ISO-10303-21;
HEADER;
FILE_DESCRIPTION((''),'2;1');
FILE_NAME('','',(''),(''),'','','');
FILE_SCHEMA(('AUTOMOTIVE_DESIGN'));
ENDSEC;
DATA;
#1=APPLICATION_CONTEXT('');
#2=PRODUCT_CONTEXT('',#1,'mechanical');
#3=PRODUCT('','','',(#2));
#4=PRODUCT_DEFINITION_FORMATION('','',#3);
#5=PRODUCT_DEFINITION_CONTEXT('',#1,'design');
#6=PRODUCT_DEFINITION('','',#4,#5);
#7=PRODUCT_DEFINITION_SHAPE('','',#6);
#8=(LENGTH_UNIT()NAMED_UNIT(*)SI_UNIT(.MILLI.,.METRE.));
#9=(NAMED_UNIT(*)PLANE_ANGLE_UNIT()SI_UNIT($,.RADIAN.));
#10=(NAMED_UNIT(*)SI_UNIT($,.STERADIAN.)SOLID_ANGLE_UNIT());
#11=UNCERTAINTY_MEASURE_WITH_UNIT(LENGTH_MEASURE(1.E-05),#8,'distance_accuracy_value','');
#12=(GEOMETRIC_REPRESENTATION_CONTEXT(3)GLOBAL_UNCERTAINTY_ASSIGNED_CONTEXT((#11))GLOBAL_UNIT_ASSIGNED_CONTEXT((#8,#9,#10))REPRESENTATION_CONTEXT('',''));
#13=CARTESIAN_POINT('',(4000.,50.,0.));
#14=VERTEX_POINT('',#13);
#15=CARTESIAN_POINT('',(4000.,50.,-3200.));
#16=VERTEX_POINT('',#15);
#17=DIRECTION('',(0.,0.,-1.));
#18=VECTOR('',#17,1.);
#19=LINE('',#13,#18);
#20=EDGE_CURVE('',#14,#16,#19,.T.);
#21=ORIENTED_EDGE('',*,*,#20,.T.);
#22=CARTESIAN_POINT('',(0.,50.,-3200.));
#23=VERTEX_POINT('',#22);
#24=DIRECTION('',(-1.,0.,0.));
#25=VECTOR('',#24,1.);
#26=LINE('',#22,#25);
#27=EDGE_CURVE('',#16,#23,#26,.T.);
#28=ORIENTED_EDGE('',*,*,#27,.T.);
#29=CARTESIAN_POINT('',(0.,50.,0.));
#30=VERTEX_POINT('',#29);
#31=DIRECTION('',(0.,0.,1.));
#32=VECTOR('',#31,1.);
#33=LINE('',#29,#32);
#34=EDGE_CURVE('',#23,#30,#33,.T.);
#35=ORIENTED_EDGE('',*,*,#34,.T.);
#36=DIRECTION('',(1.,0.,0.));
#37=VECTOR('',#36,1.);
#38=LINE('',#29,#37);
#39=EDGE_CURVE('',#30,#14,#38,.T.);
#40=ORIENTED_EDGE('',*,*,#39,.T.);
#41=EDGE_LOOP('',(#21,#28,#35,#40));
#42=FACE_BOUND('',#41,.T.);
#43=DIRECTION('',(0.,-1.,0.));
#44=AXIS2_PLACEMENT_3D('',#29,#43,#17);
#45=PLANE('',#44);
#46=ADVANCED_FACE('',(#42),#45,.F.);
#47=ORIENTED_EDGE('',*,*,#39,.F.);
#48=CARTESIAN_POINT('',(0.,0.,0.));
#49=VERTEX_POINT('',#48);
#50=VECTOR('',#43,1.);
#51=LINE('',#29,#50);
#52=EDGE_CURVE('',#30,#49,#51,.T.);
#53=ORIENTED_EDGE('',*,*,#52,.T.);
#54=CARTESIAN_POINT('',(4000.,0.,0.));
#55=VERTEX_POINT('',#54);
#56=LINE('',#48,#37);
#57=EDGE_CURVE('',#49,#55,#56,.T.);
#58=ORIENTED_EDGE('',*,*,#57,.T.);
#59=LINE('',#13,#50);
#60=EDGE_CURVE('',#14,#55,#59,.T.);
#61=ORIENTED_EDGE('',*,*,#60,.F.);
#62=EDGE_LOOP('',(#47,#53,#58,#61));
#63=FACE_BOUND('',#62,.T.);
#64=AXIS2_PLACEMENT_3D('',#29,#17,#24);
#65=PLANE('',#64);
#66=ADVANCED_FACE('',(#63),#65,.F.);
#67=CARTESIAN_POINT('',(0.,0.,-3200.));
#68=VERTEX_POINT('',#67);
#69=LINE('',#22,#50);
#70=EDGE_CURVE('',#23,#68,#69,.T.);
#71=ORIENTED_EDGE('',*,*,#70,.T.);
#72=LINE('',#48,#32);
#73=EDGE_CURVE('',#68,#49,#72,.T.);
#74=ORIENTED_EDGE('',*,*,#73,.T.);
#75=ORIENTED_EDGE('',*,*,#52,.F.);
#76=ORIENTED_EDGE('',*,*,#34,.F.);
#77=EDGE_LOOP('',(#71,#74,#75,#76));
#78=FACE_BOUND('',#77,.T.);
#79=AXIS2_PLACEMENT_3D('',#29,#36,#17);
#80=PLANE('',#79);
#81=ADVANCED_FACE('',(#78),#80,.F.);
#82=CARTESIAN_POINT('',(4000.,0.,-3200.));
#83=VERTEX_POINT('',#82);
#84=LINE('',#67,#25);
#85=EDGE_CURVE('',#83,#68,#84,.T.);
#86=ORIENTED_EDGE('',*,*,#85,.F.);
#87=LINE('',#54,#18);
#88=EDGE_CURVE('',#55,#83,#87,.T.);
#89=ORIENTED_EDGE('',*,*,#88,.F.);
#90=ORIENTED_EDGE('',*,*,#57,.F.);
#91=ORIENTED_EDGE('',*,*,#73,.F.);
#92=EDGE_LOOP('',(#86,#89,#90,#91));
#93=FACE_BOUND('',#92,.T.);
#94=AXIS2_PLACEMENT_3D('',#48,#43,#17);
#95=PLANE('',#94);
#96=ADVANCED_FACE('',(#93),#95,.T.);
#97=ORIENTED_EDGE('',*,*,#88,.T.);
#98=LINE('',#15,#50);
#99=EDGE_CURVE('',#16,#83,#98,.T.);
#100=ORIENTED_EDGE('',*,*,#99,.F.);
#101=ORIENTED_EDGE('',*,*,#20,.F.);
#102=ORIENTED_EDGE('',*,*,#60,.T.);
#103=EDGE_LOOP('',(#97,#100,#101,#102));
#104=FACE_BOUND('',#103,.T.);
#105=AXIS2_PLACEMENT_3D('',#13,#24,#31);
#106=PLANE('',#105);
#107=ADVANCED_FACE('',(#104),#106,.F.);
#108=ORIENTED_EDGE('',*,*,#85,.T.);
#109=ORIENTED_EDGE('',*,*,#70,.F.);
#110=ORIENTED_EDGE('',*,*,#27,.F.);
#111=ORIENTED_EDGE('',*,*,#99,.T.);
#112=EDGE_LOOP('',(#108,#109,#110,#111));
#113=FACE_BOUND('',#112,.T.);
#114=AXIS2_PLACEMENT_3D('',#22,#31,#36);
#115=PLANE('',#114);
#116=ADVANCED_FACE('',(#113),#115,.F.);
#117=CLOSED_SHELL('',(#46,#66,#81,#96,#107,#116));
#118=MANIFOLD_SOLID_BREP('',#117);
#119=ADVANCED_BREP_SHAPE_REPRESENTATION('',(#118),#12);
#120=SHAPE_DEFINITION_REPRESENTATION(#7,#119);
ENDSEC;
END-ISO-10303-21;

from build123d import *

# Parameters (mm, degrees)
SKETCH_1_W      = 4000
SKETCH_1_H      = 3200
EXTRUDE_1_DEPTH = 50


with BuildPart() as part:
    # 草图1 → 凸台-拉伸1 (new body)
    with BuildSketch(Plane(origin=(0, 0, 0), x_dir=(1, 0, 0), z_dir=(0, 1, 0))):
        with Locations((2000, 1600)):
            Rectangle(SKETCH_1_W, SKETCH_1_H)
    extrude(amount=EXTRUDE_1_DEPTH)


solid = part.part
